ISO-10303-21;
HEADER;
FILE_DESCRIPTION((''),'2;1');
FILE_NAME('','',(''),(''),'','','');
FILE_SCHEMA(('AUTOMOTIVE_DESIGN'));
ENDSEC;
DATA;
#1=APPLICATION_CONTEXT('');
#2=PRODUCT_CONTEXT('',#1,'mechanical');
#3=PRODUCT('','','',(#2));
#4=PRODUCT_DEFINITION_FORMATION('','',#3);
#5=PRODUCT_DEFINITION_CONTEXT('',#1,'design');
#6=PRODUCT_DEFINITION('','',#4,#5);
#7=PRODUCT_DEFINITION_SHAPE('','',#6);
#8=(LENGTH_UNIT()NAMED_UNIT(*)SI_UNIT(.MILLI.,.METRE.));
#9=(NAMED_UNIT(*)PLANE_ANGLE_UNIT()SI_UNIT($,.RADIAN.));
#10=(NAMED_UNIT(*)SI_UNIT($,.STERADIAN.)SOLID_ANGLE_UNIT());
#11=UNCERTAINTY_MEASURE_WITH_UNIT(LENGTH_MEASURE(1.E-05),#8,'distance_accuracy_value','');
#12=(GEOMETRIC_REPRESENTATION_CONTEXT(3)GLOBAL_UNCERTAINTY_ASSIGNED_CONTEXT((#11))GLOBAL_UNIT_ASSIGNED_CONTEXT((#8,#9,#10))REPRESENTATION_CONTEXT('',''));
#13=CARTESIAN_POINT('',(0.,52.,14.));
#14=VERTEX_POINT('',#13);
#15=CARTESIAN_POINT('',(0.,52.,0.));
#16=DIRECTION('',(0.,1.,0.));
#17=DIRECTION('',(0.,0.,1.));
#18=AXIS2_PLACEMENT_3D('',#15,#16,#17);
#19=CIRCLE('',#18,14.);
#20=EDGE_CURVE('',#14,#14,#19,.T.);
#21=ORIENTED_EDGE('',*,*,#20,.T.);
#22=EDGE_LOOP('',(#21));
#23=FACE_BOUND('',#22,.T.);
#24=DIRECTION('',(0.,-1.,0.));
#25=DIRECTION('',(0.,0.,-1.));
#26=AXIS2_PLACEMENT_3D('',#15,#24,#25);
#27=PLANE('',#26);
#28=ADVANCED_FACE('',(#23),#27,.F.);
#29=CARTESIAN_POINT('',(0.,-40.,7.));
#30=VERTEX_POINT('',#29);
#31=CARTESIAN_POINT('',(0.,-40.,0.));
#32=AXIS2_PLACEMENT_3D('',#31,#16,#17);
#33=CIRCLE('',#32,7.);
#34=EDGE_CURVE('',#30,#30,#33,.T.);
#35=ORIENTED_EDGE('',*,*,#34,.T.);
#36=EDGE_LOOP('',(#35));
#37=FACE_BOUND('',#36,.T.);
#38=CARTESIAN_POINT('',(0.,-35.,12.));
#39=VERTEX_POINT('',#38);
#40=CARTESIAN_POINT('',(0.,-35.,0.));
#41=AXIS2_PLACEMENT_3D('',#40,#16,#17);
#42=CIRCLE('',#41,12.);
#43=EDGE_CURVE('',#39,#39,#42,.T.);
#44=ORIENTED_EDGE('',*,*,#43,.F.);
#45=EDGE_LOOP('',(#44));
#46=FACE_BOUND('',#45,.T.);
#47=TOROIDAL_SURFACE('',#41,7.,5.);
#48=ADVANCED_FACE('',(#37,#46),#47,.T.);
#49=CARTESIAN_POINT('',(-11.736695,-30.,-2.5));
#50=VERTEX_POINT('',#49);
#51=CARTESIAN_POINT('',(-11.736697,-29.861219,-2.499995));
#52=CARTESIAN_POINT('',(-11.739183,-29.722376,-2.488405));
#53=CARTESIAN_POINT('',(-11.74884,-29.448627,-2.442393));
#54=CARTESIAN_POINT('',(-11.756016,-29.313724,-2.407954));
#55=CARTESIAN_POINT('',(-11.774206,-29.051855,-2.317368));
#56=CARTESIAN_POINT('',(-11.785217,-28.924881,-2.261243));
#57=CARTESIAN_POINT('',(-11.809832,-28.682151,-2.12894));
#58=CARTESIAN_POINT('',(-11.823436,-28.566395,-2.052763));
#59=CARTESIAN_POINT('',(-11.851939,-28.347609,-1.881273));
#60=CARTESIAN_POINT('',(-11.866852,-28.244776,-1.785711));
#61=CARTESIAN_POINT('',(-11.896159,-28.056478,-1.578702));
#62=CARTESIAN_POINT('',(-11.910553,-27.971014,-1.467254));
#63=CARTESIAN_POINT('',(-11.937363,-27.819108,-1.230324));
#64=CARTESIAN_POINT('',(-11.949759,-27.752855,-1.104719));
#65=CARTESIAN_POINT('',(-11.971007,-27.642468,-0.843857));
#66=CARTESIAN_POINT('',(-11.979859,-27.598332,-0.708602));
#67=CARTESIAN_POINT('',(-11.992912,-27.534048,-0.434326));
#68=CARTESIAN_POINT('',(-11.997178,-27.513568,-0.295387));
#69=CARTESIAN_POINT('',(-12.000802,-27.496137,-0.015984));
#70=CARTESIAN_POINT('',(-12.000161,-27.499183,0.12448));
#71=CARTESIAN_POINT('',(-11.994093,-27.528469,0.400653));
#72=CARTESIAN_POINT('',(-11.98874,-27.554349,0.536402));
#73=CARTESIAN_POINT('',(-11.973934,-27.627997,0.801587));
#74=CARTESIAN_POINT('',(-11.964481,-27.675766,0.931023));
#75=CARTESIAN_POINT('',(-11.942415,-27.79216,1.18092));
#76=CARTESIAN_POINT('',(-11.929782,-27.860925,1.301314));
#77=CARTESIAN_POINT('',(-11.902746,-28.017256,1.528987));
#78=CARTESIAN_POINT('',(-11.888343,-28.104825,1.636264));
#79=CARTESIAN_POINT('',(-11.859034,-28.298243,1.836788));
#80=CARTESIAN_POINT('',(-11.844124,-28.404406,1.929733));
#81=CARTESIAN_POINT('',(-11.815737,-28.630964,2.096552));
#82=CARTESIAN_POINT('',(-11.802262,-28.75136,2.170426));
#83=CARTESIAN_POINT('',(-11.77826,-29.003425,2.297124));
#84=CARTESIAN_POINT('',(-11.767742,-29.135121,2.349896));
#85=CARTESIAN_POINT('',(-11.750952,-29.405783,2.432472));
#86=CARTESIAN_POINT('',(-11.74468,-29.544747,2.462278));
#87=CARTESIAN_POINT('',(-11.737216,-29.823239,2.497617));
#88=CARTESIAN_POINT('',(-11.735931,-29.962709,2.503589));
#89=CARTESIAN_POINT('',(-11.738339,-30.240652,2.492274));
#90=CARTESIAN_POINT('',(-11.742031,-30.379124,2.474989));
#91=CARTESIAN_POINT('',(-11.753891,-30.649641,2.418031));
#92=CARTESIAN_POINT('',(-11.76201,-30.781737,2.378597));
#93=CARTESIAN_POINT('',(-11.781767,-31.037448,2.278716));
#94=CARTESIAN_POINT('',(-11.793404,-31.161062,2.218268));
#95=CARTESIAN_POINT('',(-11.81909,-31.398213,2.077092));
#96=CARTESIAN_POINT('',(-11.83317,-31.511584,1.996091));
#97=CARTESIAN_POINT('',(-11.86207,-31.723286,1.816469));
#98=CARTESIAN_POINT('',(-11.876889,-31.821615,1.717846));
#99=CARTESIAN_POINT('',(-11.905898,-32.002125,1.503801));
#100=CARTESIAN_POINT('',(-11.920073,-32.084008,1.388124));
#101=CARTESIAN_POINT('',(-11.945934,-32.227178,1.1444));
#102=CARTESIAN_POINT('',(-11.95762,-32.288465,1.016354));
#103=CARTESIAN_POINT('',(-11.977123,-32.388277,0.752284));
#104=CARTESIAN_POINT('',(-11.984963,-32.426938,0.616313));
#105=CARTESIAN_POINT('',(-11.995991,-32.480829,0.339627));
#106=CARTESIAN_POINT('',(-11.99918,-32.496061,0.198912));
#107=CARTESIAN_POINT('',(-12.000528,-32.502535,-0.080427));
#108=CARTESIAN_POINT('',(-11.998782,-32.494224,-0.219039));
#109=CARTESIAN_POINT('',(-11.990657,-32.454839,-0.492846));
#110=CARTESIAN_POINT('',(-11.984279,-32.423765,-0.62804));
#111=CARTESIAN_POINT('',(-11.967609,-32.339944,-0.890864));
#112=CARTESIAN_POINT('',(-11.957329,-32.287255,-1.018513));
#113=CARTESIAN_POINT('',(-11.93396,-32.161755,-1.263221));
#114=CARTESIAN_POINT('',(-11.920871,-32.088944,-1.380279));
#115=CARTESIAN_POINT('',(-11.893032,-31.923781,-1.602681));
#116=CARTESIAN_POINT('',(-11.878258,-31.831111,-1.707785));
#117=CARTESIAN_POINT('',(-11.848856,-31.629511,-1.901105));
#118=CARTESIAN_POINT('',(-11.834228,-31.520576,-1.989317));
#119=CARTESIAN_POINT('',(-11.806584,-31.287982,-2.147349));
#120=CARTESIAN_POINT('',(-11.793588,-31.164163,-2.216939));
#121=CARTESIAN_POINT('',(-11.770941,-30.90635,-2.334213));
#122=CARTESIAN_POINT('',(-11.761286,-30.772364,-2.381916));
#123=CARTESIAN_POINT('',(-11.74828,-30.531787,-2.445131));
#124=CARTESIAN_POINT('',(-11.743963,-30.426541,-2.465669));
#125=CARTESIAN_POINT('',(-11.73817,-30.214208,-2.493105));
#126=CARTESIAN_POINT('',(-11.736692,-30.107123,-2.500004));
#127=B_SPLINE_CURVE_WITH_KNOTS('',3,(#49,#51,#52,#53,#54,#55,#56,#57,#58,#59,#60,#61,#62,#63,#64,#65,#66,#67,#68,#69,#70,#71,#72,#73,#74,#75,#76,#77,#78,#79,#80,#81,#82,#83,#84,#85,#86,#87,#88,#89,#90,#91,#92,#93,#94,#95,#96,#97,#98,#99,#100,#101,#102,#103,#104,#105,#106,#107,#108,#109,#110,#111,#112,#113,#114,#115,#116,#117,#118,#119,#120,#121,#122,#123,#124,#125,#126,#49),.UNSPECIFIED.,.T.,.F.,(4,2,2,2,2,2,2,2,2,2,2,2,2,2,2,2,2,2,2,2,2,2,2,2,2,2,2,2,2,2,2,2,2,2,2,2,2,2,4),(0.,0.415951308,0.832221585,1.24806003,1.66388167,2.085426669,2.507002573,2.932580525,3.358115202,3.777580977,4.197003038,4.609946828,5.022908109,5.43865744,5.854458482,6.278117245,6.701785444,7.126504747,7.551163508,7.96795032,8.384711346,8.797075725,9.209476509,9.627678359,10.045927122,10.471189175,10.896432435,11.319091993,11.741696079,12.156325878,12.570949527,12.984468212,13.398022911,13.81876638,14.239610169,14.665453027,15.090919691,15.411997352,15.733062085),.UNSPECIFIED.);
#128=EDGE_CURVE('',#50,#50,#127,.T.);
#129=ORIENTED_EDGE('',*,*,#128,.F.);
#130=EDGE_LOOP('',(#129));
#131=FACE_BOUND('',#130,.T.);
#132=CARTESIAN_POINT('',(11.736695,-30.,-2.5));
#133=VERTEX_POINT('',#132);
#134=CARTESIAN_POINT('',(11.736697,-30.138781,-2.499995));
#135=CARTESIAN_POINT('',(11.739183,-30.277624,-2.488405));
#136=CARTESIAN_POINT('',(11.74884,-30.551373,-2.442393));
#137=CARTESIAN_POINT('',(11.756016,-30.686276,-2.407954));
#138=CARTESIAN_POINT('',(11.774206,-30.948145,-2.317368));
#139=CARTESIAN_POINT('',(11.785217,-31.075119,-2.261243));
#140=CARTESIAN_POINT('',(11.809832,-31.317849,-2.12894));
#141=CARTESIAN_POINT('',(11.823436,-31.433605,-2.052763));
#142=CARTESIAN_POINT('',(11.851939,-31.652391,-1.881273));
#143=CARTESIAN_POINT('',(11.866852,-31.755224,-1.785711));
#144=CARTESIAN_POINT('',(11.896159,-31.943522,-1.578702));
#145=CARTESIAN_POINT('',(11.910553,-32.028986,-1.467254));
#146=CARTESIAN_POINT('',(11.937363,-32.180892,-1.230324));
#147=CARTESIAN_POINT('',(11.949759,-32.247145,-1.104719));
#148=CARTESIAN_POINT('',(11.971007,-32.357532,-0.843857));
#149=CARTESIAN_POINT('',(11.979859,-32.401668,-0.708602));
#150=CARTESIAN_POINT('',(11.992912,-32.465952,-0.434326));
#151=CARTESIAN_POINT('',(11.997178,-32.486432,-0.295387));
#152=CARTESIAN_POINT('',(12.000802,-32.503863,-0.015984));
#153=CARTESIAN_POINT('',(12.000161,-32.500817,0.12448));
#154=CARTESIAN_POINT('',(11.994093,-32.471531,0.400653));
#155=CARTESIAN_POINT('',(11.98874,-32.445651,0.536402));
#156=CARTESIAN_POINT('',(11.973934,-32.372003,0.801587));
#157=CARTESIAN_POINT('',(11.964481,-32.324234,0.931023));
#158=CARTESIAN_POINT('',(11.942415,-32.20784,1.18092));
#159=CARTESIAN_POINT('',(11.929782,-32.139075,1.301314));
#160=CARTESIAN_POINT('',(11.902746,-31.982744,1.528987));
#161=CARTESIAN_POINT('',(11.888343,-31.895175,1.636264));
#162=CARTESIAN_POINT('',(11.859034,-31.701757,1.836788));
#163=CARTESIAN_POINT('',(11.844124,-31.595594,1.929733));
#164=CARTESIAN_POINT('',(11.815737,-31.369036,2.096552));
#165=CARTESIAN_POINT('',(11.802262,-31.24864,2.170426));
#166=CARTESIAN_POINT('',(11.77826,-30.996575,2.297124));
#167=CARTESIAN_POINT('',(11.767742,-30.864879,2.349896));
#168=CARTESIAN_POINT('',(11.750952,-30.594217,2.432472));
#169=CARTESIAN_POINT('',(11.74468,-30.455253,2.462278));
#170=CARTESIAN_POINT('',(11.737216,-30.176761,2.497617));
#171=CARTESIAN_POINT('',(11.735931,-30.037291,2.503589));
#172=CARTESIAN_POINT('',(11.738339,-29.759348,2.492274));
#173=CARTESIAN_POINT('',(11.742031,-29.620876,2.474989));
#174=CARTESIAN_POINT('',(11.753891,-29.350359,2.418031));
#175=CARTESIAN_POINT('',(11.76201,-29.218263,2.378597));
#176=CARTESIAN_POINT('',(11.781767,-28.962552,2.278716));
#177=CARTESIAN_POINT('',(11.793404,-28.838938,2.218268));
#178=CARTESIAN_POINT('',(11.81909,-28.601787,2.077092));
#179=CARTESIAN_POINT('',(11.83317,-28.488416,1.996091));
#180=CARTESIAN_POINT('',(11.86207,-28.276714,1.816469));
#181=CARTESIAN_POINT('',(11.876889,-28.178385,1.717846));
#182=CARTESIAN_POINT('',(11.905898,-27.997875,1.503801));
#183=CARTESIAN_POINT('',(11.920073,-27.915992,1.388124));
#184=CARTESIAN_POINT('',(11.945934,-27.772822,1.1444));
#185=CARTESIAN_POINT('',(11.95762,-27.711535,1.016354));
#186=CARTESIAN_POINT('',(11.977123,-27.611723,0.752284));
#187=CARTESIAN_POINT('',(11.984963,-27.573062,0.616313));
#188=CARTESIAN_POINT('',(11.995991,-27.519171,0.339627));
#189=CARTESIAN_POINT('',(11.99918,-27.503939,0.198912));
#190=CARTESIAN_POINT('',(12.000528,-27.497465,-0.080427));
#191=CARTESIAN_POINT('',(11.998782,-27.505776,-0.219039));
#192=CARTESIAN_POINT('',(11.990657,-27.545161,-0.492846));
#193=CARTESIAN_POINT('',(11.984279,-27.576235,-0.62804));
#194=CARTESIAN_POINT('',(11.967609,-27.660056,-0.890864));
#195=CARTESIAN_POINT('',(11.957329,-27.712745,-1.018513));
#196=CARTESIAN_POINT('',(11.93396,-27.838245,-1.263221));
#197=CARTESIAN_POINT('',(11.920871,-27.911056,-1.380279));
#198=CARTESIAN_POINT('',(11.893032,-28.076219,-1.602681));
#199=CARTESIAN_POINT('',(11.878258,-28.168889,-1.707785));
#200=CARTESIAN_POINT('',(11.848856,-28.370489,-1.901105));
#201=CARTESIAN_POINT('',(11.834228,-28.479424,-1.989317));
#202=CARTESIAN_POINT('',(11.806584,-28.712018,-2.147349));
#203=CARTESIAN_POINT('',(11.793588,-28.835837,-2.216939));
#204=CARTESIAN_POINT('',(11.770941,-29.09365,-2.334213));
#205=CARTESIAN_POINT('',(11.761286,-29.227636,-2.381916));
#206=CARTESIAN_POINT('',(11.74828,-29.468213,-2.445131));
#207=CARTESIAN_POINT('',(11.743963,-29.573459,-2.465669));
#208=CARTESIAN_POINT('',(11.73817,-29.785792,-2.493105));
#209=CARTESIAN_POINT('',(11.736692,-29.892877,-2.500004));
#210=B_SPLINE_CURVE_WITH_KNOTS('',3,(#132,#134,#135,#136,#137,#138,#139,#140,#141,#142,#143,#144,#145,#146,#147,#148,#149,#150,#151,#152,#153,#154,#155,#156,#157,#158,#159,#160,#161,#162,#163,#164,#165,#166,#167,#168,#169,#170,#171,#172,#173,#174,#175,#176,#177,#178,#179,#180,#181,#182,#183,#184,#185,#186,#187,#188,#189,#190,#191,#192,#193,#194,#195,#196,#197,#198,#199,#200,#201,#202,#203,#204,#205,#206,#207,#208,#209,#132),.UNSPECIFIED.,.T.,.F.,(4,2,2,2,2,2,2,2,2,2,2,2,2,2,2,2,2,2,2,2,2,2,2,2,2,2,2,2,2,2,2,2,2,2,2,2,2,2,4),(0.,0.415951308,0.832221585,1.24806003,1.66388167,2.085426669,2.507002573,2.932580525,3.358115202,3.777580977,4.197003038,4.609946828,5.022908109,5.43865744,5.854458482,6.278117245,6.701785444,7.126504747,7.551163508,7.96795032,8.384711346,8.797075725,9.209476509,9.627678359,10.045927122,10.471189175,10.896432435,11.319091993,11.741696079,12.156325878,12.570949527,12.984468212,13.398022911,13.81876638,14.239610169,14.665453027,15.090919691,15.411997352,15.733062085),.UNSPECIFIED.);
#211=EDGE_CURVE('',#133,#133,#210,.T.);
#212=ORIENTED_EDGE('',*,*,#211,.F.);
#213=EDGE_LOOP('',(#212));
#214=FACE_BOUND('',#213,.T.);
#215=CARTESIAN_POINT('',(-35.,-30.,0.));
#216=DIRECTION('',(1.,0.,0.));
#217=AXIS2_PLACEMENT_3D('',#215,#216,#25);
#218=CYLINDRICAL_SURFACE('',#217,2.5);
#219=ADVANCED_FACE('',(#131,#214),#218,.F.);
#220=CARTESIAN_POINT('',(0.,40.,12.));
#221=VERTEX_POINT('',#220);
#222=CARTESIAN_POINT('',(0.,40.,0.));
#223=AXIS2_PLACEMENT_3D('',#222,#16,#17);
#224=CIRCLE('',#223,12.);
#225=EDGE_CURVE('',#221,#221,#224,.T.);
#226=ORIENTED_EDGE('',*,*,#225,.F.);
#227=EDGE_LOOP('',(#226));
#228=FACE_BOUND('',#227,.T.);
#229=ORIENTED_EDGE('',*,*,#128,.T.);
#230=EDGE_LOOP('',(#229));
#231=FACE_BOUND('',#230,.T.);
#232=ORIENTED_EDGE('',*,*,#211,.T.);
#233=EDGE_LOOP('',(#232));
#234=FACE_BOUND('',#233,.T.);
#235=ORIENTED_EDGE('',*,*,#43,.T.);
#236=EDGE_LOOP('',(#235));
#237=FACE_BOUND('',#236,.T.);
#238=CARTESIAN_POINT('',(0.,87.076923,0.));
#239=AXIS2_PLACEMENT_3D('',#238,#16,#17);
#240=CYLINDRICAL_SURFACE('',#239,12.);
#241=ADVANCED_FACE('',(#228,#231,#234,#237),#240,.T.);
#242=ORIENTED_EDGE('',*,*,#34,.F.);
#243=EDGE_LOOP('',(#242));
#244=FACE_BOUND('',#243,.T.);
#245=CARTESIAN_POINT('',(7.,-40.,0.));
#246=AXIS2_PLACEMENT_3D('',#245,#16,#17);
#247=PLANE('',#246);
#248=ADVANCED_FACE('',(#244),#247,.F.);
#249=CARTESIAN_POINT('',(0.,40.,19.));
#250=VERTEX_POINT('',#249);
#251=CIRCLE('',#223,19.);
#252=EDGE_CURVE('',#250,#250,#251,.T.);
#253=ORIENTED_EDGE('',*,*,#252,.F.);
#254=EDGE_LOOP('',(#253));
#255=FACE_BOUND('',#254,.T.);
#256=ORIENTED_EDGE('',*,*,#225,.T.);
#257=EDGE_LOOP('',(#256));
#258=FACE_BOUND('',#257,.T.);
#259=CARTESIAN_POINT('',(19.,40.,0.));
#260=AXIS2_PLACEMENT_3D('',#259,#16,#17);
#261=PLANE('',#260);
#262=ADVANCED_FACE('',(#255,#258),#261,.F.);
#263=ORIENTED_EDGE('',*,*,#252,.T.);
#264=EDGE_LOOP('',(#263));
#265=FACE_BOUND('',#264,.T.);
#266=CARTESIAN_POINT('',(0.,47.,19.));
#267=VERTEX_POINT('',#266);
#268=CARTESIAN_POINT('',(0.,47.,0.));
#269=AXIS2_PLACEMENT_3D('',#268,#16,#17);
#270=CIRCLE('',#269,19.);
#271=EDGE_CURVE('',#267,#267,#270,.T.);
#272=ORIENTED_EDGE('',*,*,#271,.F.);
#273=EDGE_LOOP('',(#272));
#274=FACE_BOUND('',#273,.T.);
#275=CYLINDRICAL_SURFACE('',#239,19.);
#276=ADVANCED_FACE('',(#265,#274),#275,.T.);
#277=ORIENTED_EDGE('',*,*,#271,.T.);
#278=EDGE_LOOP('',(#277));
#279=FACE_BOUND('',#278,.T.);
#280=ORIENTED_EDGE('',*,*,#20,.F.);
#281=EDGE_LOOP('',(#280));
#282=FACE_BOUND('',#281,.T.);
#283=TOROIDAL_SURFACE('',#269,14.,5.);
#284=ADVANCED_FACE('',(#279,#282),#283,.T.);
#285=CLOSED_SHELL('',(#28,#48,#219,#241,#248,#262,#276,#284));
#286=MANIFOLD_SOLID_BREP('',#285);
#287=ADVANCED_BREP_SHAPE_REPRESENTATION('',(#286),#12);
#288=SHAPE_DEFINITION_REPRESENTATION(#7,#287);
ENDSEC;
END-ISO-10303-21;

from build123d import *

# Parameters (mm, degrees)
SKETCH5_R          = 2.5
CUT_EXTRUDE1_DEPTH = 35


with BuildPart() as part:
    # Sketch1 → Revolve3 (revolve)
    with BuildSketch(Plane.XY):
        with BuildLine():
            Line((0, 52), (14, 52))
            ThreePointArc((14, 52), (17.535533906, 50.535533906), (19, 47))
            Line((19, 47), (19, 40))
            Line((19, 40), (12, 40))
            Line((12, 40), (12, -35))
            ThreePointArc((12, -35), (10.535533906, -38.535533906), (7, -40))
            Line((7, -40), (0, -40))
            Line((0, -40), (0, 52))
        make_face()
    revolve(axis=Axis((0, 87.076923077, 0), (0, -1, 0)))

    # Sketch5 → Cut-Extrude1 (cut, symmetric)
    with BuildSketch(Plane(origin=(0, 0, 0), x_dir=(0, 0, -1), z_dir=(1, 0, 0))):
        with Locations((0, -30)):
            Circle(SKETCH5_R)
    extrude(amount=CUT_EXTRUDE1_DEPTH, both=True, mode=Mode.SUBTRACT)


solid = part.part
